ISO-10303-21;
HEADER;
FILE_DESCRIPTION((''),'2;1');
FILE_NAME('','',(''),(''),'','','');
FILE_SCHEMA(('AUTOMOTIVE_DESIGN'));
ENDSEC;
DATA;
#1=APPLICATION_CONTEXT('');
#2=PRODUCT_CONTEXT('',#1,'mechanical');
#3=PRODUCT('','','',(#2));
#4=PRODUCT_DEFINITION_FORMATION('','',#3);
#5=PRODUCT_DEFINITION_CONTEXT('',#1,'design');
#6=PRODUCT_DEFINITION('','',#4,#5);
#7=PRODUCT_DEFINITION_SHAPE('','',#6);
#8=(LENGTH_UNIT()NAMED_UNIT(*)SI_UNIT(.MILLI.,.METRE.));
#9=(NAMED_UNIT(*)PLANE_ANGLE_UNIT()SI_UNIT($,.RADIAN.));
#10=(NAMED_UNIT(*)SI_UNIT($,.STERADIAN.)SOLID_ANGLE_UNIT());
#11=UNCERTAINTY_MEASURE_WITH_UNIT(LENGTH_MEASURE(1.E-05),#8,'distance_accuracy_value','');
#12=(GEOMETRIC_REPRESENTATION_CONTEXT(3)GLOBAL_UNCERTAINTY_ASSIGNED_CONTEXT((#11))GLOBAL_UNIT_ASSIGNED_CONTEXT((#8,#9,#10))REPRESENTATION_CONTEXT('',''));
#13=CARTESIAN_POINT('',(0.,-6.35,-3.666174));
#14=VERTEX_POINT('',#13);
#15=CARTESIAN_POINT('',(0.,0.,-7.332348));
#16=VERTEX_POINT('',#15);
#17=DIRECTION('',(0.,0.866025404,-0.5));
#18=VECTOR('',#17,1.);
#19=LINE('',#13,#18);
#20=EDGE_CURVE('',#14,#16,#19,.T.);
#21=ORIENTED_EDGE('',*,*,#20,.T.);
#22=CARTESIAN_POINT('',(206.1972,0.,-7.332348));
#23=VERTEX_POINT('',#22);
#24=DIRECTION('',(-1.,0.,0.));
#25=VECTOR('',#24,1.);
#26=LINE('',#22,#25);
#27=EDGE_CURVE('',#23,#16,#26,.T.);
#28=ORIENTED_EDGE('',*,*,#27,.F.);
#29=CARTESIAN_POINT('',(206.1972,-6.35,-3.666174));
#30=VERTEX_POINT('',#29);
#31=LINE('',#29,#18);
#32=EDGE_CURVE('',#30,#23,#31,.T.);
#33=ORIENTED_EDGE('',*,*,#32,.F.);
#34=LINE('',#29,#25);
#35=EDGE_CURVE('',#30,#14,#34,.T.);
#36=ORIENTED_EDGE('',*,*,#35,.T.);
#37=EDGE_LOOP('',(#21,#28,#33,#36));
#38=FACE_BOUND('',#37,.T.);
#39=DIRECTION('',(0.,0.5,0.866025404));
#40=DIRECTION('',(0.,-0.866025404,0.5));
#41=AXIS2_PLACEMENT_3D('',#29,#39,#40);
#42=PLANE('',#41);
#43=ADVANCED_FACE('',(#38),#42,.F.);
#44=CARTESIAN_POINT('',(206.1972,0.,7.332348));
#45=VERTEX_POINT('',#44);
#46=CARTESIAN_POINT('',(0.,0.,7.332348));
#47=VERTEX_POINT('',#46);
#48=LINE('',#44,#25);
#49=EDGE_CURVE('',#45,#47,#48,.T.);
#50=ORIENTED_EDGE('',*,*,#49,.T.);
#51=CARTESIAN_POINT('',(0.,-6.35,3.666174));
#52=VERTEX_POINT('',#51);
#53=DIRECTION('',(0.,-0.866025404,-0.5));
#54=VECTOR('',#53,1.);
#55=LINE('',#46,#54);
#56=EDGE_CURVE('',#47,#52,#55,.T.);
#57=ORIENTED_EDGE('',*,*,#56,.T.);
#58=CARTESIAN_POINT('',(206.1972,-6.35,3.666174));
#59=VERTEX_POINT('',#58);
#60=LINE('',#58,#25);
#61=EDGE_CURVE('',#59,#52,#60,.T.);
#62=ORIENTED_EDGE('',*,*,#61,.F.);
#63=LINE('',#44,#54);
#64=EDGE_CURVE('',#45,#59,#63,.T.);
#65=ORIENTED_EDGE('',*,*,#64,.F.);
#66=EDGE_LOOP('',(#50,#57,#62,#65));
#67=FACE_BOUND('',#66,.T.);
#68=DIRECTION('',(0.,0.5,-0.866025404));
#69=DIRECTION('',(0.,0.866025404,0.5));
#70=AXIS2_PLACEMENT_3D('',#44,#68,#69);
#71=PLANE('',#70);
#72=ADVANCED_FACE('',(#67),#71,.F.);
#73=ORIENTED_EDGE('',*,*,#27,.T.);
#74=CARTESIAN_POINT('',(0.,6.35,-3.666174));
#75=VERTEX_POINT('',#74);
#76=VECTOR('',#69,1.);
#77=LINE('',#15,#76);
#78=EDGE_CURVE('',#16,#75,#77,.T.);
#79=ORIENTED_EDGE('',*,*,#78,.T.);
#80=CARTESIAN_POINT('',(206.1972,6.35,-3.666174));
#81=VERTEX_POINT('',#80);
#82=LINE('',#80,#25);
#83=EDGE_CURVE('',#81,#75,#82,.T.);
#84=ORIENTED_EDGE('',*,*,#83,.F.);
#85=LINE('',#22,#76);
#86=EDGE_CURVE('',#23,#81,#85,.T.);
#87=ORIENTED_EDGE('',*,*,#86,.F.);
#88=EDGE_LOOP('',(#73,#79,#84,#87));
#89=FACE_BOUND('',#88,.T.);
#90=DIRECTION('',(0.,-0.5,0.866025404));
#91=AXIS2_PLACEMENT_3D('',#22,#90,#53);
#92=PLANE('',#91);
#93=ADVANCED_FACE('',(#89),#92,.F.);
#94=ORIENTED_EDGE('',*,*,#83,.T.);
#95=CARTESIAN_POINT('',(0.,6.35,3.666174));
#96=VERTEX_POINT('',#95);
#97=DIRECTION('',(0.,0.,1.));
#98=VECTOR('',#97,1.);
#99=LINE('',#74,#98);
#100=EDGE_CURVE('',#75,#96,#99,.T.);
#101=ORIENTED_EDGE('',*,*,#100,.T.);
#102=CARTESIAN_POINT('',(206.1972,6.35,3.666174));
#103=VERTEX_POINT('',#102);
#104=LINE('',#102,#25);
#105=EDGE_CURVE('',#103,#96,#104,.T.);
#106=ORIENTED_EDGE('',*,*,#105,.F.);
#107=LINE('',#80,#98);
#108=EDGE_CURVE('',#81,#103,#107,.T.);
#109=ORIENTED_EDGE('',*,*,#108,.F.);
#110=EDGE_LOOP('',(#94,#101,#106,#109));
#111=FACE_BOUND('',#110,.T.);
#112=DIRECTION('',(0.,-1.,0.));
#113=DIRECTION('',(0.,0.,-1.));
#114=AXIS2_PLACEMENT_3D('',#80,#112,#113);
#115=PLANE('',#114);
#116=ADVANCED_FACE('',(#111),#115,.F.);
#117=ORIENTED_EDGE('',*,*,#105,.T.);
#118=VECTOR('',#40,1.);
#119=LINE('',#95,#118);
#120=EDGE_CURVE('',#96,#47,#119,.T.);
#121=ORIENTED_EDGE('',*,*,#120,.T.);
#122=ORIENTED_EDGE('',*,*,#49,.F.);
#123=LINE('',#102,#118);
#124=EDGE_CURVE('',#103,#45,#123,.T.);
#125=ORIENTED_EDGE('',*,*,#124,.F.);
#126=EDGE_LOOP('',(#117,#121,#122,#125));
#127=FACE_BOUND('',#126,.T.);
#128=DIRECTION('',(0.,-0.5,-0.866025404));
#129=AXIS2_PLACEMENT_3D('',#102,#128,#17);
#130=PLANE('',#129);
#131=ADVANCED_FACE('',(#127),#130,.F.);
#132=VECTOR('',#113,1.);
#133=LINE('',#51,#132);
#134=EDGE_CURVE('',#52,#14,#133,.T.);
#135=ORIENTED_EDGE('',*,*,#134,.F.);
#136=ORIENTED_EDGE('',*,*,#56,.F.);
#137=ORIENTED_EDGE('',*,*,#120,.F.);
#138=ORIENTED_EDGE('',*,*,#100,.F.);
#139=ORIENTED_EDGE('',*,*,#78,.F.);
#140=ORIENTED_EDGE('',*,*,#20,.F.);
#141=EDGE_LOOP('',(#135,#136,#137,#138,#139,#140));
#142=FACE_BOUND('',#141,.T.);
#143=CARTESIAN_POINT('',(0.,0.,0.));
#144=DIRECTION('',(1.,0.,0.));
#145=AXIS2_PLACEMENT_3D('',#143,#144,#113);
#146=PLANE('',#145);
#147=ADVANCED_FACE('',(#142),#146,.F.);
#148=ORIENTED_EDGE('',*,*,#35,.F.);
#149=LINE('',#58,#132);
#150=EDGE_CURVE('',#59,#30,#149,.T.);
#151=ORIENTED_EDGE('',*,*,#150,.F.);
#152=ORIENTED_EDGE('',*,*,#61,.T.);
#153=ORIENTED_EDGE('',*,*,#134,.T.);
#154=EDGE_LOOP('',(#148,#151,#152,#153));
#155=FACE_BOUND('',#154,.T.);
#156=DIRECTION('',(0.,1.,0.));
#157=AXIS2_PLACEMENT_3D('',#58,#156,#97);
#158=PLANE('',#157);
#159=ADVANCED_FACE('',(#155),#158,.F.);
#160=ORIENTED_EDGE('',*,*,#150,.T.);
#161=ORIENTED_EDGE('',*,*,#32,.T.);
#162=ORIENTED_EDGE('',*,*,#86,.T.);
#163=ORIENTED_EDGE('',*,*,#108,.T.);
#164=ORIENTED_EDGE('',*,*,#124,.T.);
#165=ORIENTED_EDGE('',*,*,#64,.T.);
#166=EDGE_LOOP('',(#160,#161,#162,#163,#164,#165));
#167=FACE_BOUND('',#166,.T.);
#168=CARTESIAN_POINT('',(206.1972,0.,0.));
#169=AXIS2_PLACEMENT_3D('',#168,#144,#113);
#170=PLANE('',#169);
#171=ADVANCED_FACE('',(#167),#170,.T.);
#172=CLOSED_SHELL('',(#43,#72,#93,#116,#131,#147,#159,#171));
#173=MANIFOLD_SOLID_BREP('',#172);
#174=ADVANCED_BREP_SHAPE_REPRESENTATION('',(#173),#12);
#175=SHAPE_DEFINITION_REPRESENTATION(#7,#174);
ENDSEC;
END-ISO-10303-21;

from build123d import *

# Parameters (mm, degrees)
BOSS_EXTRUDE1_DEPTH = 206.1972


with BuildPart() as part:
    # Sketch1 → Boss-Extrude1 (new body)
    with BuildSketch(Plane(origin=(0, 0, 0), x_dir=(0, 0, -1), z_dir=(1, 0, 0))):
        Polygon((3.666174209, 6.35), (-3.666174209, 6.35), (-7.332348419, 0), (-3.666174209, -6.35), (3.666174209, -6.35), (7.332348419, 0), align=None)
    extrude(amount=BOSS_EXTRUDE1_DEPTH)


solid = part.part
